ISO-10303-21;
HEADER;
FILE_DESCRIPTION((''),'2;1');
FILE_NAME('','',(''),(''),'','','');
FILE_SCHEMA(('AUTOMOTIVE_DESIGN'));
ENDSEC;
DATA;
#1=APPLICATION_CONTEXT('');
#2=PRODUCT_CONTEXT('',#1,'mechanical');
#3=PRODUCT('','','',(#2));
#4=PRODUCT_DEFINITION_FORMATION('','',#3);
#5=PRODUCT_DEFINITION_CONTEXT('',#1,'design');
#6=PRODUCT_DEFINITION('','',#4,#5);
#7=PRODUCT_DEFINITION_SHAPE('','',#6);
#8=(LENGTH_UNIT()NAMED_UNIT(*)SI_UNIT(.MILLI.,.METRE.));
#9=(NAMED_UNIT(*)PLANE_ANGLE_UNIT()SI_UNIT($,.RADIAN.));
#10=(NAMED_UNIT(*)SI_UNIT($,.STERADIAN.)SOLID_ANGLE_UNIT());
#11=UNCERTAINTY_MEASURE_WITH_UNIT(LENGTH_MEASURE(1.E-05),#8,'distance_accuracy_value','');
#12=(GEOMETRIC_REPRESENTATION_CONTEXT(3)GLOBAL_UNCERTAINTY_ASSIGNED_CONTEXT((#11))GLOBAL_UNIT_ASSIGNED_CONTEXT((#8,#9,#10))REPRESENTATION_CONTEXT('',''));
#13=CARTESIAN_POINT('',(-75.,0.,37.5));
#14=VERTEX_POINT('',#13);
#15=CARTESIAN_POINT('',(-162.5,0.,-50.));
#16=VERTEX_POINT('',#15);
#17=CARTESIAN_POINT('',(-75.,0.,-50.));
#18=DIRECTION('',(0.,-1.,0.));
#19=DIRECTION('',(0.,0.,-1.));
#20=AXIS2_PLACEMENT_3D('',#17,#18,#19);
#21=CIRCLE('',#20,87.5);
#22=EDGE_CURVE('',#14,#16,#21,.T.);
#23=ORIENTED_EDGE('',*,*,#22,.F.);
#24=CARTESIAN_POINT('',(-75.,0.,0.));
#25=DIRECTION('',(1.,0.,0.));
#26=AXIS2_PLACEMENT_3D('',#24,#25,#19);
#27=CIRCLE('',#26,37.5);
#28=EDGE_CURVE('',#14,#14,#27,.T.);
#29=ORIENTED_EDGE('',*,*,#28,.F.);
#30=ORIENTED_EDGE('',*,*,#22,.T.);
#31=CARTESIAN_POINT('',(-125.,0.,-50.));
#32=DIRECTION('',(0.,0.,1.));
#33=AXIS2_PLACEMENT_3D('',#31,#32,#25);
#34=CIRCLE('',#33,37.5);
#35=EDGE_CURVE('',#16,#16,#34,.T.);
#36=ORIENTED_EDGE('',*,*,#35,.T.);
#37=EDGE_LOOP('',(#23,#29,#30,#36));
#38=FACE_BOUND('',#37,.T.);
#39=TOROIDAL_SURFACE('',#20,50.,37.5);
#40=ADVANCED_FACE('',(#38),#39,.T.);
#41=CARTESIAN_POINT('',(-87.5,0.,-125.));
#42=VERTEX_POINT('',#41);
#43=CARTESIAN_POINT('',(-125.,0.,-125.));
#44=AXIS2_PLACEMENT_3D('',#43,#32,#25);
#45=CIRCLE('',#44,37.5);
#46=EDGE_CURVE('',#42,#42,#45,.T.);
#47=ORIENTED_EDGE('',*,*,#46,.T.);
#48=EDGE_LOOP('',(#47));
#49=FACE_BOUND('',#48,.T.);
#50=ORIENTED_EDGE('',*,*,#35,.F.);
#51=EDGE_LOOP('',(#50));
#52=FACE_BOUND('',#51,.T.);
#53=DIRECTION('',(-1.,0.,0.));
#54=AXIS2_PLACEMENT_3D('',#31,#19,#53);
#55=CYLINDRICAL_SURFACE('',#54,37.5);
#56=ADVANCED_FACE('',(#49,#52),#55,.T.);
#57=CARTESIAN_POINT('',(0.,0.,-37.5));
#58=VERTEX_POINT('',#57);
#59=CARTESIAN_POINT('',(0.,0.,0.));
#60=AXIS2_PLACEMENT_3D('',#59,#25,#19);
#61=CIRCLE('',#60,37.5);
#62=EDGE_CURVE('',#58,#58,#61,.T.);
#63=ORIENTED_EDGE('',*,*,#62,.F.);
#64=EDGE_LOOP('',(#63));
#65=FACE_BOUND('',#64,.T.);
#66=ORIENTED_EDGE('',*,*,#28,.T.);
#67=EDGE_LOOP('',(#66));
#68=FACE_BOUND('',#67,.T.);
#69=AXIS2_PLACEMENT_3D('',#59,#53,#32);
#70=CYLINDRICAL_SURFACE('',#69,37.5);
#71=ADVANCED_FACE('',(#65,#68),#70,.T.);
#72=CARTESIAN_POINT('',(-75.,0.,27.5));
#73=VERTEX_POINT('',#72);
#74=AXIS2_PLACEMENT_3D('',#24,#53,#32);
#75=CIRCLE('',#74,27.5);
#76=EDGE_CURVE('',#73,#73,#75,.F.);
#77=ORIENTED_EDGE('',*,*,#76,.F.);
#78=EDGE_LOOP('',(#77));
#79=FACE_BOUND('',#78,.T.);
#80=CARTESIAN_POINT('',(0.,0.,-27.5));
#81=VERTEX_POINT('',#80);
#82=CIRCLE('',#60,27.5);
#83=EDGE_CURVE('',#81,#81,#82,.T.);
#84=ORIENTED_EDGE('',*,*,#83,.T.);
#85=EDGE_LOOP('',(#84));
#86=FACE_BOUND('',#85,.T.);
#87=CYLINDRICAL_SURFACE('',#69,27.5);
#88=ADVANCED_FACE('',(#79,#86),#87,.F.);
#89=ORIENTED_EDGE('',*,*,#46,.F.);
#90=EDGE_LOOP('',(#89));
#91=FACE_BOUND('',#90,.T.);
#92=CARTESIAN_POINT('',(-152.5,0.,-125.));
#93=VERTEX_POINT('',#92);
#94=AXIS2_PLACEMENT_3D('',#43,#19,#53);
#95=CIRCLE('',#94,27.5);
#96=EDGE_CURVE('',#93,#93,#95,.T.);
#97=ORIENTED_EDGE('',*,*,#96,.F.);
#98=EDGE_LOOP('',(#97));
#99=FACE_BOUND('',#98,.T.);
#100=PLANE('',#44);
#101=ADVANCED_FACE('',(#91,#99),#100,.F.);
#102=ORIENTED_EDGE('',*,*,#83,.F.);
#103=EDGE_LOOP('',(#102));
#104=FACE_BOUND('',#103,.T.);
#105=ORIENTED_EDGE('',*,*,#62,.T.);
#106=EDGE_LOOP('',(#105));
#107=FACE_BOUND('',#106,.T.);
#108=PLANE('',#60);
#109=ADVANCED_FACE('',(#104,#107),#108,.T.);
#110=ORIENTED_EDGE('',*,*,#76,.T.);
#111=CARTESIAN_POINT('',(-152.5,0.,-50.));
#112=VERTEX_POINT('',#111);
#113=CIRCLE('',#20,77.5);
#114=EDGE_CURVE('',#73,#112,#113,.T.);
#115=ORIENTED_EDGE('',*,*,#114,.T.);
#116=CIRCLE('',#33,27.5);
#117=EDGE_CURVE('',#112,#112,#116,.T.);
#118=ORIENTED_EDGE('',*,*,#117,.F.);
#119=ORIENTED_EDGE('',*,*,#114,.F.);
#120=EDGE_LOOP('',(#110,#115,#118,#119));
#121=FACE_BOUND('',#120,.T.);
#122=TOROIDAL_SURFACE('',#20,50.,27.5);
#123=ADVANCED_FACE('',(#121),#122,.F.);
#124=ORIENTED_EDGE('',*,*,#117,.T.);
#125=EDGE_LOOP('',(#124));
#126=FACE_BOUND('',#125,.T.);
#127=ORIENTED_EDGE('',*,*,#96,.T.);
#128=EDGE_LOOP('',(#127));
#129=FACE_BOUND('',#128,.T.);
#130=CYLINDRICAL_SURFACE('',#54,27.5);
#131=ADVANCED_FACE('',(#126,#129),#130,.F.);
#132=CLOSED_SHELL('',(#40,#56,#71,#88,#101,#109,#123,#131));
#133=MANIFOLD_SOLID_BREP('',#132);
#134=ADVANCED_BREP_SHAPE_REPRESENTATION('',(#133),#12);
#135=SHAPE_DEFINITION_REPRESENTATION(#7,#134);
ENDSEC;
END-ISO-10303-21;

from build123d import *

# Parameters (mm, degrees)
SWEEP1_PROFILE_R   = 37.5
SHELL1_T           = -10
CUT_EXTRUDE1_REACH = 234.849
SKETCH2_R          = 27.5


with BuildPart() as part:
    # Sweep1: sweep along a path in Sketch1
    with BuildLine(Plane(origin=(0, 0, 0), x_dir=(1, 0, 0), z_dir=(0, 1, 0))) as sweep1_path:
        Line((0, 0), (-75, 0))
        ThreePointArc((-75, 0), (-110.355339059, 14.644660941), (-125, 50))
        Line((-125, 50), (-125, 125))
    # Sweep1 profile (on start of the path) → Sweep1 (sweep)
    with BuildSketch(Plane(origin=(0, 0, 0), x_dir=(0, 0, -1), z_dir=(-1, 0, 0))):
        Circle(SWEEP1_PROFILE_R)
    sweep(path=sweep1_path.line)

    # Shell1
    shell1_openings = [part.faces().sort_by_distance(p)[0] for p in [
        (0, 0, 0),
    ]]
    offset(amount=SHELL1_T, openings=shell1_openings, kind=Kind.INTERSECTION)

    # Sketch2 → Cut-Extrude1 (cut, up to next)
    with BuildSketch(Plane(origin=(0, 0, -125), x_dir=(-1, 0, 0), z_dir=(0, 0, -1)), mode=Mode.PRIVATE) as cut_extrude1_sk1:
        with Locations((125, 0)):
            Circle(SKETCH2_R)
    cut_extrude1_tool1 = extrude(cut_extrude1_sk1.sketch, amount=-CUT_EXTRUDE1_REACH, mode=Mode.PRIVATE) & part.part
    add(cut_extrude1_tool1.solids().sort_by_distance((-125, 0, -125))[0], mode=Mode.SUBTRACT)


solid = part.part
